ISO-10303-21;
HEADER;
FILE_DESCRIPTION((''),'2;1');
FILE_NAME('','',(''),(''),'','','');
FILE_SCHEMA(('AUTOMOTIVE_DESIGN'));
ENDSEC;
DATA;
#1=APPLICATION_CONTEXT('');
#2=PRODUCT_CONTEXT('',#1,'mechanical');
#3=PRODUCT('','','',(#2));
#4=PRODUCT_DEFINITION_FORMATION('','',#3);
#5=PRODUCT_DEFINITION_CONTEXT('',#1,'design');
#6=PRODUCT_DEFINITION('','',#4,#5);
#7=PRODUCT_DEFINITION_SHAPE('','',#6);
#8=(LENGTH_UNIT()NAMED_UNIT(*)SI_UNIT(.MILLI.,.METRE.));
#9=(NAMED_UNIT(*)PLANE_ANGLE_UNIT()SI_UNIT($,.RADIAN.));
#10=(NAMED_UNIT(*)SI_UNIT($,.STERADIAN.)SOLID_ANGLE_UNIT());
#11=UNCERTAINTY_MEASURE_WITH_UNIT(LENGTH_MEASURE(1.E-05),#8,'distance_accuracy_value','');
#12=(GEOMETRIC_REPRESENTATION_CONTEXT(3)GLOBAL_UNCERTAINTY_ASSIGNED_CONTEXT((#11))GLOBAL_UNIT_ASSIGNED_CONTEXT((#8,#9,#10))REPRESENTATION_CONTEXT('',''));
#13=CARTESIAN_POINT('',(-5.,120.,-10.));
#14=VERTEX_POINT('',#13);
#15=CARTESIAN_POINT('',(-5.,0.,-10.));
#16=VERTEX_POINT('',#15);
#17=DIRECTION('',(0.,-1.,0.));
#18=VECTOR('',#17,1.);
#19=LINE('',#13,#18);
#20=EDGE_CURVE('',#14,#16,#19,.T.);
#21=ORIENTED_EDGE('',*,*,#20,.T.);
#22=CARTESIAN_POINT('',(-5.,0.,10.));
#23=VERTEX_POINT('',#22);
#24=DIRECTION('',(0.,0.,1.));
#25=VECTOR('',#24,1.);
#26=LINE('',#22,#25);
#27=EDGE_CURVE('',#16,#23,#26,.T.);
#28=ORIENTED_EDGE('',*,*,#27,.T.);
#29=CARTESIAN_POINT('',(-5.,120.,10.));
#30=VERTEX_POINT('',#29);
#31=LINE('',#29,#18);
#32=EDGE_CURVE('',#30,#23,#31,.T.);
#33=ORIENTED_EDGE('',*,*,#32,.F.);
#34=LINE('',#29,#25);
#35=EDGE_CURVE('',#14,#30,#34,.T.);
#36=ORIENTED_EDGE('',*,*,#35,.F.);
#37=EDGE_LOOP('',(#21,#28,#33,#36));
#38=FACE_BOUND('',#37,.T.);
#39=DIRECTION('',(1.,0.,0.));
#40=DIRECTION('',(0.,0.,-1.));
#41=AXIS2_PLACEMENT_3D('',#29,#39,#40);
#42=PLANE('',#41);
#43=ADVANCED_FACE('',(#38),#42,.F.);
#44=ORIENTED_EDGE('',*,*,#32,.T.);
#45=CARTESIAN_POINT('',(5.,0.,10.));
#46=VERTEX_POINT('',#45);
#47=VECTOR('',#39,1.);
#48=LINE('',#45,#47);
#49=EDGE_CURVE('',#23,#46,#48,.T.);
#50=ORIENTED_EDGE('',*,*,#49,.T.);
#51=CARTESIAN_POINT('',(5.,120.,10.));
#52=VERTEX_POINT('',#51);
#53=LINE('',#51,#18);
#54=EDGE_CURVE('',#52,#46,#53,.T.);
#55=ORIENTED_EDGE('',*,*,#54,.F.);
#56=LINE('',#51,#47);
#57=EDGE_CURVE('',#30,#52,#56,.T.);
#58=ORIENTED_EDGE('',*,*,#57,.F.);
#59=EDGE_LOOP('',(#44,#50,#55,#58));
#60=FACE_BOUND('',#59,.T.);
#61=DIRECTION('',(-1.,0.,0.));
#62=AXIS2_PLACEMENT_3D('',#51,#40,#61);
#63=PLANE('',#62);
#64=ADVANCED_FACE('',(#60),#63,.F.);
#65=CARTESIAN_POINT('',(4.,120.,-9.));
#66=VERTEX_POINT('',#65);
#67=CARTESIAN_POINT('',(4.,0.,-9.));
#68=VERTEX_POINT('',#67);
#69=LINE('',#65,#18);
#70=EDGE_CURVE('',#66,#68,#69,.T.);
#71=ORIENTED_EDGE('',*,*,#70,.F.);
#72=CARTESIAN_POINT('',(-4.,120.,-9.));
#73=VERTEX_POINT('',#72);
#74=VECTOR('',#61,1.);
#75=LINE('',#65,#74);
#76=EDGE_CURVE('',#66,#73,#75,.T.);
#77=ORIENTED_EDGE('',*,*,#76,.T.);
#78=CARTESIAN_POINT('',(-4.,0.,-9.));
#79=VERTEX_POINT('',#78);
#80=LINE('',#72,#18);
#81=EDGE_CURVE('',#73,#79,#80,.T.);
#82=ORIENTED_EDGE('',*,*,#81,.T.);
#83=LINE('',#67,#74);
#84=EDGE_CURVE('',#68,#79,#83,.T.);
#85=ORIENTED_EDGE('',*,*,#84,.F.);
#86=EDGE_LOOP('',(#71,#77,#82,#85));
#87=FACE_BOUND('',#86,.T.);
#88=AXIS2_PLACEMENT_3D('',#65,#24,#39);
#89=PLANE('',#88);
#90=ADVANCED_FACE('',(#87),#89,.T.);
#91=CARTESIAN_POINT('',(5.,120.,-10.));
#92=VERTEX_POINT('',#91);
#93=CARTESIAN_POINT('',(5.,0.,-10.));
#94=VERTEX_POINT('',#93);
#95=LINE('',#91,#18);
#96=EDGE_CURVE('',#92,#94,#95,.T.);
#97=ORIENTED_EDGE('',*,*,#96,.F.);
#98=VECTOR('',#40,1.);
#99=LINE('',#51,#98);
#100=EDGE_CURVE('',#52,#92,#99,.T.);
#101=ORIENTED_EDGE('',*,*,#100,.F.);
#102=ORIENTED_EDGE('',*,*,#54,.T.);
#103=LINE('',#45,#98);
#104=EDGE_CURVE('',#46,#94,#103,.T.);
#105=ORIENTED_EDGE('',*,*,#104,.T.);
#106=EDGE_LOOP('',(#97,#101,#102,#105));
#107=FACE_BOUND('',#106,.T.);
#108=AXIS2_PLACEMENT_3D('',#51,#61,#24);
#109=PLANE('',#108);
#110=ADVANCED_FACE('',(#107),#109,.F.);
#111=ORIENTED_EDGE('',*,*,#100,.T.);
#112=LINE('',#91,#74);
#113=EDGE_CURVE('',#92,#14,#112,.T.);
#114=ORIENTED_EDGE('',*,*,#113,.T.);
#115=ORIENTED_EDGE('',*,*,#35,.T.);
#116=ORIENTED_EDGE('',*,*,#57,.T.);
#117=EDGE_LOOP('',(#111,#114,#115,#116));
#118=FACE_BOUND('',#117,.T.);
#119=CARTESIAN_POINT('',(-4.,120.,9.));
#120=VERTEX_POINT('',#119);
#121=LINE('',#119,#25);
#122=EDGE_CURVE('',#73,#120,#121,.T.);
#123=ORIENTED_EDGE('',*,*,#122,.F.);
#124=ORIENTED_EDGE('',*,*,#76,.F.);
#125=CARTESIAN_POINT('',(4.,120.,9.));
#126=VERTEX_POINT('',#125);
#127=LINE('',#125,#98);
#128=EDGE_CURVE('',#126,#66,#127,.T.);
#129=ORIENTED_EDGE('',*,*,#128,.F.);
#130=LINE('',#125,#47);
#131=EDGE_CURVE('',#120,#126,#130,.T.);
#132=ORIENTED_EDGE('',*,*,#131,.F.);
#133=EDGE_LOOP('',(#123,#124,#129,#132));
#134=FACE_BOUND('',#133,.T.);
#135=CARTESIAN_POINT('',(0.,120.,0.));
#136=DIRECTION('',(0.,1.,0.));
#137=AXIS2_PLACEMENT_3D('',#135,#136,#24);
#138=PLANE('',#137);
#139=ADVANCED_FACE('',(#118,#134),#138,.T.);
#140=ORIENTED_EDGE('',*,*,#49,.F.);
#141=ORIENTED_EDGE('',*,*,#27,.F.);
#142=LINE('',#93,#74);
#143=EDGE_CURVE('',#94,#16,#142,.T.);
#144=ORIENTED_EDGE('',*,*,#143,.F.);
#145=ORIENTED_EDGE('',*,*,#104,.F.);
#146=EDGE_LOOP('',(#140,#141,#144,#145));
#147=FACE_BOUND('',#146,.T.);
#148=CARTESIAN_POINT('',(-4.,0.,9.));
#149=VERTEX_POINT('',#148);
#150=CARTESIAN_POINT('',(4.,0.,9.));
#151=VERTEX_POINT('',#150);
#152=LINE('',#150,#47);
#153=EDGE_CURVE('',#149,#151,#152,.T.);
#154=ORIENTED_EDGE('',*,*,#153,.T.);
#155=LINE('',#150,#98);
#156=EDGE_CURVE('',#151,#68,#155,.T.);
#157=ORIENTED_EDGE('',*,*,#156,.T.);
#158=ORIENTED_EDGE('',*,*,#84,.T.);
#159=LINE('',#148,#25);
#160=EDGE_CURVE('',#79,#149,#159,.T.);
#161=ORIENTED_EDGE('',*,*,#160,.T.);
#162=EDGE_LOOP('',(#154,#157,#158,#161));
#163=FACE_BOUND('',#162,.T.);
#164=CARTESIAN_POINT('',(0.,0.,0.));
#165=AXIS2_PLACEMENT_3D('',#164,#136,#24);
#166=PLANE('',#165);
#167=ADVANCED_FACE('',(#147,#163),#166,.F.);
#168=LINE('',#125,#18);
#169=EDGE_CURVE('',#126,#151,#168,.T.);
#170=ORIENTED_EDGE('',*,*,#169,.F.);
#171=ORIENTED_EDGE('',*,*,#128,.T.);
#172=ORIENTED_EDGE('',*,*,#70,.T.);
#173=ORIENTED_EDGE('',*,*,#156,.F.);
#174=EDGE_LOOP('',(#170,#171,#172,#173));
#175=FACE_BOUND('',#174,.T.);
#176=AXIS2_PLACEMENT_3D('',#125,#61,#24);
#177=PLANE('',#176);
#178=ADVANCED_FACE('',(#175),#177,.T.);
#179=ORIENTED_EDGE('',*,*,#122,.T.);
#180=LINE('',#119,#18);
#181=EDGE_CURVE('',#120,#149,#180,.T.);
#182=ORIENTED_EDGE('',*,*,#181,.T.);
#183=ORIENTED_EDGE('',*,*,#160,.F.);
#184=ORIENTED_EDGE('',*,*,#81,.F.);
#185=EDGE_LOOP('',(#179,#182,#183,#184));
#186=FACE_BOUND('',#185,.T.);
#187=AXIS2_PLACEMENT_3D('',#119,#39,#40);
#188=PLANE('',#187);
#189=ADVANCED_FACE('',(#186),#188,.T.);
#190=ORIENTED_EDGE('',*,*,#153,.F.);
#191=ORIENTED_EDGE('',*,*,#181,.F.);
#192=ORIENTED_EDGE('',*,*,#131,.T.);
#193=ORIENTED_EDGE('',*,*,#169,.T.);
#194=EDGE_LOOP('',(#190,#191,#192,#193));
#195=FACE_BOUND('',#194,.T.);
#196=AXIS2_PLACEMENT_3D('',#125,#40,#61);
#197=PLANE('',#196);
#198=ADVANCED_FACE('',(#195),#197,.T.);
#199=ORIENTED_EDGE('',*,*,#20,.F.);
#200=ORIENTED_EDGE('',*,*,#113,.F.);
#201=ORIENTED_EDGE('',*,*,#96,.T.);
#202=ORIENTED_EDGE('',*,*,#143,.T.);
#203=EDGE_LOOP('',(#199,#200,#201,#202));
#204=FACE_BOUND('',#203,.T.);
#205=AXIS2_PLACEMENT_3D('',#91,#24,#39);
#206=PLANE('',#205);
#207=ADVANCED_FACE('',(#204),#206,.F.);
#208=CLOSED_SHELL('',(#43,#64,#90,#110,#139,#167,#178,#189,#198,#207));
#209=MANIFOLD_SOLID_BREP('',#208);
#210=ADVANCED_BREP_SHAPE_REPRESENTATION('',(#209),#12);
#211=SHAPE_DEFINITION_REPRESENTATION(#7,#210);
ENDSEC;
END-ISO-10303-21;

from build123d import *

# Parameters (mm, degrees)
SKETCH1_W           = 10
SKETCH1_H           = 20
SKETCH1_W_2         = 8
SKETCH1_H_2         = 18
BOSS_EXTRUDE1_DEPTH = 120


with BuildPart() as part:
    # Sketch1 → Boss-Extrude1 (new body)
    with BuildSketch(Plane(origin=(0, 0, 0), x_dir=(1, 0, 0), z_dir=(0, 1, 0))):
        Rectangle(SKETCH1_W, SKETCH1_H)
        Rectangle(SKETCH1_W_2, SKETCH1_H_2, mode=Mode.SUBTRACT)
    extrude(amount=BOSS_EXTRUDE1_DEPTH)


solid = part.part
